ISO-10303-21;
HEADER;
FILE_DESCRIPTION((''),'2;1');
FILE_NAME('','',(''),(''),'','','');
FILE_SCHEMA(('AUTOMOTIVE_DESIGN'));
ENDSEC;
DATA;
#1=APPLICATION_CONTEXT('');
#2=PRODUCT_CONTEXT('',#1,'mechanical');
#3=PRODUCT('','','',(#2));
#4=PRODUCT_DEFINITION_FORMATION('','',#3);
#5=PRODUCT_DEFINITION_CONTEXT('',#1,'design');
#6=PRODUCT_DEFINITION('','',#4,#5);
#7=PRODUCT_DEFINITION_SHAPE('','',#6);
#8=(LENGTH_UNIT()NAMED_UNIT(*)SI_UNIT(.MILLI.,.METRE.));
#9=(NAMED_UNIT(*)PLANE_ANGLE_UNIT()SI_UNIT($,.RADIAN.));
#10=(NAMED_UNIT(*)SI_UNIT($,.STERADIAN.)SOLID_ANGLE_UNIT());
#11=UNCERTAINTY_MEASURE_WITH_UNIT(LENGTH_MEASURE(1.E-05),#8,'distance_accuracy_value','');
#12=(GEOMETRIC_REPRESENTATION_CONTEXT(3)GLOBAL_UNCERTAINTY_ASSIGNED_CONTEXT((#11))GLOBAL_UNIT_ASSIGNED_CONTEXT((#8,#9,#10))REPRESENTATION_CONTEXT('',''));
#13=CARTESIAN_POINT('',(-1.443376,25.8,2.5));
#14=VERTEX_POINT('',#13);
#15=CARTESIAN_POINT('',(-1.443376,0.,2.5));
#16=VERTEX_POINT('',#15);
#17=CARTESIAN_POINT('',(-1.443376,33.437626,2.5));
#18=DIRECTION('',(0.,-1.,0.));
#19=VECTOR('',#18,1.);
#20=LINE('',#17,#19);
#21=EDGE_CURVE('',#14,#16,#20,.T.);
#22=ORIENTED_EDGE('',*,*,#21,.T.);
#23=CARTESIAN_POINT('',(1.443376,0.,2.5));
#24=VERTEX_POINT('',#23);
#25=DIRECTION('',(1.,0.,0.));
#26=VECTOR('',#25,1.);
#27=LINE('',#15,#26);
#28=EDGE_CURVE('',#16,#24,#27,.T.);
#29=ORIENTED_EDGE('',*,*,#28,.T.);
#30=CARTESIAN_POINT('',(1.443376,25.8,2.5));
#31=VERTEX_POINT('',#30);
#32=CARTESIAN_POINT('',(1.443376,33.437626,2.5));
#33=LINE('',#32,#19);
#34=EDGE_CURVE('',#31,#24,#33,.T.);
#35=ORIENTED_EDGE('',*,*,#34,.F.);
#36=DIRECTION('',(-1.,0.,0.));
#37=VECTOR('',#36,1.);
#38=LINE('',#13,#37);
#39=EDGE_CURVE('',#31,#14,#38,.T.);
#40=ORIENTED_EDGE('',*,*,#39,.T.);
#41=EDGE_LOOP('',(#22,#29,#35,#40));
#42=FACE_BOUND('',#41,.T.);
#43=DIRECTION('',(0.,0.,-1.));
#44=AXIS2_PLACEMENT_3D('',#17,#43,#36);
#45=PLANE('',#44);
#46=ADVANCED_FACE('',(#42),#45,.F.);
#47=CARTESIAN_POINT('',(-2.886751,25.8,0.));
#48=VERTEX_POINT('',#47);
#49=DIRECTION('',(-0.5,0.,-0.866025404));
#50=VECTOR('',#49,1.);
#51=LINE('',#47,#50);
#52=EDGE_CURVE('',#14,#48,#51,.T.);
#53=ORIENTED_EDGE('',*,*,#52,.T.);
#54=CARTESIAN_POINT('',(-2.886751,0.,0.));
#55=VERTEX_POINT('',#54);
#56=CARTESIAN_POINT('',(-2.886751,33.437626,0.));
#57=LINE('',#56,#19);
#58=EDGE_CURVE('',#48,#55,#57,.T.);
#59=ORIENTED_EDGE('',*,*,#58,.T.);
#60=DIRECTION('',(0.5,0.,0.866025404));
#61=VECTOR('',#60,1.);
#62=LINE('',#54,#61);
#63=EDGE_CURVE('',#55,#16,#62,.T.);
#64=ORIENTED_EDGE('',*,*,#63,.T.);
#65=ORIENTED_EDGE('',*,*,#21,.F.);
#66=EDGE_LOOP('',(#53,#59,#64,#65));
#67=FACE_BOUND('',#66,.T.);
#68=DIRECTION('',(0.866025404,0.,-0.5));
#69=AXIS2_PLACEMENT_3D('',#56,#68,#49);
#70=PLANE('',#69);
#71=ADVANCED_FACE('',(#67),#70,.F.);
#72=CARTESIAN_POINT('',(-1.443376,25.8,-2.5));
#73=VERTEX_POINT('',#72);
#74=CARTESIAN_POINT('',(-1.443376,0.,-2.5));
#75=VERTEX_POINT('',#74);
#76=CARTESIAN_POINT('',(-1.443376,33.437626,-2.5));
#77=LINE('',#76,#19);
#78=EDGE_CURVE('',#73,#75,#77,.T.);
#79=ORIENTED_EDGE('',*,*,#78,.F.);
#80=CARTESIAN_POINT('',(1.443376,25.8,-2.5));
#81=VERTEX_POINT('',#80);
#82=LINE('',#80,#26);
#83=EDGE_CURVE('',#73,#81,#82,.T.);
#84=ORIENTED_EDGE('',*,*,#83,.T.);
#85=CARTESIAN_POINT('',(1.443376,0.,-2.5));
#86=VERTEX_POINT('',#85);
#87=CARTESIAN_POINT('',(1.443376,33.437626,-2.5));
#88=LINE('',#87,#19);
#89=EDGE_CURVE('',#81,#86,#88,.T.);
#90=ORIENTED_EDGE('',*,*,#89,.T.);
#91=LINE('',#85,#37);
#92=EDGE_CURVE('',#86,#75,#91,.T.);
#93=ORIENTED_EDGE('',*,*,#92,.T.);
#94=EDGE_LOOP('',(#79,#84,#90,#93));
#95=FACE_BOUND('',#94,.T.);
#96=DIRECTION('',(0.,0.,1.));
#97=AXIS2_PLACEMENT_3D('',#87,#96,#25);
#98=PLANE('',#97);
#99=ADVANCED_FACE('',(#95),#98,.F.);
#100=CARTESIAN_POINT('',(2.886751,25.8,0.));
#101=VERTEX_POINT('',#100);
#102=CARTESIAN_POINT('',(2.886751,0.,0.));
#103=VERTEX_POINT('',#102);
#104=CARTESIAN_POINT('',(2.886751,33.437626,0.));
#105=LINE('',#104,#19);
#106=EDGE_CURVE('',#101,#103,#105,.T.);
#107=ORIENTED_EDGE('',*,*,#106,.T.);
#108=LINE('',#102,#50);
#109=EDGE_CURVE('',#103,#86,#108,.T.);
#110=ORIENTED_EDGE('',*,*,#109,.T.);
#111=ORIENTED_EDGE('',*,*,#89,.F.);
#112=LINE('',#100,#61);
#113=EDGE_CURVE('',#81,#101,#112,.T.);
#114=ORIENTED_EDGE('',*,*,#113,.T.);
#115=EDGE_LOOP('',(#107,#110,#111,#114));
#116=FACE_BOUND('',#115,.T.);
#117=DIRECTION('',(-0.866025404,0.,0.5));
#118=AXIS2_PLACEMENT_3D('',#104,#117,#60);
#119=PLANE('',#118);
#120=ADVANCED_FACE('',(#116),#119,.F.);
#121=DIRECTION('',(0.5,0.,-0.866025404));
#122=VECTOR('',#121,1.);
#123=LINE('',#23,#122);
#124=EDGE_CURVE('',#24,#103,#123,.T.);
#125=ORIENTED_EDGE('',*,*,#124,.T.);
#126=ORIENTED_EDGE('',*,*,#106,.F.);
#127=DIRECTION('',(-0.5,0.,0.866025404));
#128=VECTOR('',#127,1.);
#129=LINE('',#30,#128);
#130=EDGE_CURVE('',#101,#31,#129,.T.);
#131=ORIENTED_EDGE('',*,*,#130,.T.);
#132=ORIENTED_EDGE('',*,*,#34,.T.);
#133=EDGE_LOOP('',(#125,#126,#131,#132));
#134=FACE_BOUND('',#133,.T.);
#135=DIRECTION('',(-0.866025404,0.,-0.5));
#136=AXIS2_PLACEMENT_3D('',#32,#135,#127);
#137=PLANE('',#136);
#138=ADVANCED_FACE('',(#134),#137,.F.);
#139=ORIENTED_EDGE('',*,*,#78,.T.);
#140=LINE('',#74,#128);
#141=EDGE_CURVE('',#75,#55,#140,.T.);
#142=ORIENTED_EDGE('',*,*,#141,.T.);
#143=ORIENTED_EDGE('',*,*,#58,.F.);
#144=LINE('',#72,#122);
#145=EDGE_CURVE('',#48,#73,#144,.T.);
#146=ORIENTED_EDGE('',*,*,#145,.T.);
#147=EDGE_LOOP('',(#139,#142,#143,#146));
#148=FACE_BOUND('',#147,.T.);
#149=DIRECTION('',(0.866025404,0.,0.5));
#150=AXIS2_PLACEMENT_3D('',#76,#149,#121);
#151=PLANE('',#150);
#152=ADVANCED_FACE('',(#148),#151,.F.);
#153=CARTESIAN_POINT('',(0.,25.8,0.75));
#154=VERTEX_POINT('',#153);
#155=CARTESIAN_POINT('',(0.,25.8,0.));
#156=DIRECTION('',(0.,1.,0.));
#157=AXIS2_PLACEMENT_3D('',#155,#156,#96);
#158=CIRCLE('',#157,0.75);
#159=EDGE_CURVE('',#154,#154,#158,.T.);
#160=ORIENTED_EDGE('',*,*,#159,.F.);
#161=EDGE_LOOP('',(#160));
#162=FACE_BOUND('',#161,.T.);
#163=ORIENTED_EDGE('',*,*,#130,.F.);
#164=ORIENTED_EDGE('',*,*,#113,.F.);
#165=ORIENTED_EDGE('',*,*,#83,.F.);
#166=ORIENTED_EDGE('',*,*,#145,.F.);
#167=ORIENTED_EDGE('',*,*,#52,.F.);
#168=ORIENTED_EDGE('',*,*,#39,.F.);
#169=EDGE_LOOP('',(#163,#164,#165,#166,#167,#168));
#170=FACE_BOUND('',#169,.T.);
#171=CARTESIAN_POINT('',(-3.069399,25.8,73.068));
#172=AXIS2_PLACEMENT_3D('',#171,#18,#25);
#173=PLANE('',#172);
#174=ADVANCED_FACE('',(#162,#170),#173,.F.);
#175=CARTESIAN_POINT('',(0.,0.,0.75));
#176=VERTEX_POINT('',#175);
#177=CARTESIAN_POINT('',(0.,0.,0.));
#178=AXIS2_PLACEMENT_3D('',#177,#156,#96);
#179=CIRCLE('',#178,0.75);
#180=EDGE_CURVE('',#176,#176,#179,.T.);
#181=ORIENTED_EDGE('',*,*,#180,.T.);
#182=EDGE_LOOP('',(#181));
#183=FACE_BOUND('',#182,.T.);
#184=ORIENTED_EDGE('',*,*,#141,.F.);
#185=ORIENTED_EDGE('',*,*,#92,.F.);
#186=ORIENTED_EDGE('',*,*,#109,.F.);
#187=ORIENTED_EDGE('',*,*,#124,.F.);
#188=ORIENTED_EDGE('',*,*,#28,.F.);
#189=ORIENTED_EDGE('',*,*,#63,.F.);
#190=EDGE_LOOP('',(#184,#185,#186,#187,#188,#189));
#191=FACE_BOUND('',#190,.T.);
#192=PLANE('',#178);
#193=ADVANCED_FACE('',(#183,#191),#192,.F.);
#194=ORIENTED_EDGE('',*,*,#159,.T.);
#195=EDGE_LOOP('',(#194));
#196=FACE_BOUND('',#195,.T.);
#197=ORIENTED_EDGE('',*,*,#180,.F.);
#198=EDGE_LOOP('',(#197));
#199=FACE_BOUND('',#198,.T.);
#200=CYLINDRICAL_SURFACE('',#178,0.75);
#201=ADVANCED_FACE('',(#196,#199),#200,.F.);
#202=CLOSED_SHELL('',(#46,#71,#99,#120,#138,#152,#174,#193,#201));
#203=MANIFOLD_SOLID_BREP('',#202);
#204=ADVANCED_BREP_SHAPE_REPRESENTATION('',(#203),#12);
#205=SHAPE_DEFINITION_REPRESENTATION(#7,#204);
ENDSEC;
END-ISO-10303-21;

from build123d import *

# Parameters (mm, degrees)
EXTRUDE_1_DEPTH     = 25.8
SKETCH_2_R          = 0.75
CUT_EXTRUDE_1_DEPTH = 26.8


with BuildPart() as part:
    # Эскиз1 → Бобышка-Вытянуть1 (new body)
    with BuildSketch(Plane(origin=(0, 0, 0), x_dir=(1, 0, 0), z_dir=(0, 1, 0))):
        Polygon((2.886751346, 0), (1.443375673, 2.5), (-1.443375673, 2.5), (-2.886751346, 0), (-1.443375673, -2.5), (1.443375673, -2.5), align=None)
    extrude(amount=EXTRUDE_1_DEPTH)

    # Эскиз2 → Вырез-Вытянуть1 (cut, through all)
    with BuildSketch(Plane(origin=(0, 25.8, 0), x_dir=(1, 0, 0), z_dir=(0, 1, 0))):
        Circle(SKETCH_2_R)
    extrude(amount=-CUT_EXTRUDE_1_DEPTH, mode=Mode.SUBTRACT)


solid = part.part
